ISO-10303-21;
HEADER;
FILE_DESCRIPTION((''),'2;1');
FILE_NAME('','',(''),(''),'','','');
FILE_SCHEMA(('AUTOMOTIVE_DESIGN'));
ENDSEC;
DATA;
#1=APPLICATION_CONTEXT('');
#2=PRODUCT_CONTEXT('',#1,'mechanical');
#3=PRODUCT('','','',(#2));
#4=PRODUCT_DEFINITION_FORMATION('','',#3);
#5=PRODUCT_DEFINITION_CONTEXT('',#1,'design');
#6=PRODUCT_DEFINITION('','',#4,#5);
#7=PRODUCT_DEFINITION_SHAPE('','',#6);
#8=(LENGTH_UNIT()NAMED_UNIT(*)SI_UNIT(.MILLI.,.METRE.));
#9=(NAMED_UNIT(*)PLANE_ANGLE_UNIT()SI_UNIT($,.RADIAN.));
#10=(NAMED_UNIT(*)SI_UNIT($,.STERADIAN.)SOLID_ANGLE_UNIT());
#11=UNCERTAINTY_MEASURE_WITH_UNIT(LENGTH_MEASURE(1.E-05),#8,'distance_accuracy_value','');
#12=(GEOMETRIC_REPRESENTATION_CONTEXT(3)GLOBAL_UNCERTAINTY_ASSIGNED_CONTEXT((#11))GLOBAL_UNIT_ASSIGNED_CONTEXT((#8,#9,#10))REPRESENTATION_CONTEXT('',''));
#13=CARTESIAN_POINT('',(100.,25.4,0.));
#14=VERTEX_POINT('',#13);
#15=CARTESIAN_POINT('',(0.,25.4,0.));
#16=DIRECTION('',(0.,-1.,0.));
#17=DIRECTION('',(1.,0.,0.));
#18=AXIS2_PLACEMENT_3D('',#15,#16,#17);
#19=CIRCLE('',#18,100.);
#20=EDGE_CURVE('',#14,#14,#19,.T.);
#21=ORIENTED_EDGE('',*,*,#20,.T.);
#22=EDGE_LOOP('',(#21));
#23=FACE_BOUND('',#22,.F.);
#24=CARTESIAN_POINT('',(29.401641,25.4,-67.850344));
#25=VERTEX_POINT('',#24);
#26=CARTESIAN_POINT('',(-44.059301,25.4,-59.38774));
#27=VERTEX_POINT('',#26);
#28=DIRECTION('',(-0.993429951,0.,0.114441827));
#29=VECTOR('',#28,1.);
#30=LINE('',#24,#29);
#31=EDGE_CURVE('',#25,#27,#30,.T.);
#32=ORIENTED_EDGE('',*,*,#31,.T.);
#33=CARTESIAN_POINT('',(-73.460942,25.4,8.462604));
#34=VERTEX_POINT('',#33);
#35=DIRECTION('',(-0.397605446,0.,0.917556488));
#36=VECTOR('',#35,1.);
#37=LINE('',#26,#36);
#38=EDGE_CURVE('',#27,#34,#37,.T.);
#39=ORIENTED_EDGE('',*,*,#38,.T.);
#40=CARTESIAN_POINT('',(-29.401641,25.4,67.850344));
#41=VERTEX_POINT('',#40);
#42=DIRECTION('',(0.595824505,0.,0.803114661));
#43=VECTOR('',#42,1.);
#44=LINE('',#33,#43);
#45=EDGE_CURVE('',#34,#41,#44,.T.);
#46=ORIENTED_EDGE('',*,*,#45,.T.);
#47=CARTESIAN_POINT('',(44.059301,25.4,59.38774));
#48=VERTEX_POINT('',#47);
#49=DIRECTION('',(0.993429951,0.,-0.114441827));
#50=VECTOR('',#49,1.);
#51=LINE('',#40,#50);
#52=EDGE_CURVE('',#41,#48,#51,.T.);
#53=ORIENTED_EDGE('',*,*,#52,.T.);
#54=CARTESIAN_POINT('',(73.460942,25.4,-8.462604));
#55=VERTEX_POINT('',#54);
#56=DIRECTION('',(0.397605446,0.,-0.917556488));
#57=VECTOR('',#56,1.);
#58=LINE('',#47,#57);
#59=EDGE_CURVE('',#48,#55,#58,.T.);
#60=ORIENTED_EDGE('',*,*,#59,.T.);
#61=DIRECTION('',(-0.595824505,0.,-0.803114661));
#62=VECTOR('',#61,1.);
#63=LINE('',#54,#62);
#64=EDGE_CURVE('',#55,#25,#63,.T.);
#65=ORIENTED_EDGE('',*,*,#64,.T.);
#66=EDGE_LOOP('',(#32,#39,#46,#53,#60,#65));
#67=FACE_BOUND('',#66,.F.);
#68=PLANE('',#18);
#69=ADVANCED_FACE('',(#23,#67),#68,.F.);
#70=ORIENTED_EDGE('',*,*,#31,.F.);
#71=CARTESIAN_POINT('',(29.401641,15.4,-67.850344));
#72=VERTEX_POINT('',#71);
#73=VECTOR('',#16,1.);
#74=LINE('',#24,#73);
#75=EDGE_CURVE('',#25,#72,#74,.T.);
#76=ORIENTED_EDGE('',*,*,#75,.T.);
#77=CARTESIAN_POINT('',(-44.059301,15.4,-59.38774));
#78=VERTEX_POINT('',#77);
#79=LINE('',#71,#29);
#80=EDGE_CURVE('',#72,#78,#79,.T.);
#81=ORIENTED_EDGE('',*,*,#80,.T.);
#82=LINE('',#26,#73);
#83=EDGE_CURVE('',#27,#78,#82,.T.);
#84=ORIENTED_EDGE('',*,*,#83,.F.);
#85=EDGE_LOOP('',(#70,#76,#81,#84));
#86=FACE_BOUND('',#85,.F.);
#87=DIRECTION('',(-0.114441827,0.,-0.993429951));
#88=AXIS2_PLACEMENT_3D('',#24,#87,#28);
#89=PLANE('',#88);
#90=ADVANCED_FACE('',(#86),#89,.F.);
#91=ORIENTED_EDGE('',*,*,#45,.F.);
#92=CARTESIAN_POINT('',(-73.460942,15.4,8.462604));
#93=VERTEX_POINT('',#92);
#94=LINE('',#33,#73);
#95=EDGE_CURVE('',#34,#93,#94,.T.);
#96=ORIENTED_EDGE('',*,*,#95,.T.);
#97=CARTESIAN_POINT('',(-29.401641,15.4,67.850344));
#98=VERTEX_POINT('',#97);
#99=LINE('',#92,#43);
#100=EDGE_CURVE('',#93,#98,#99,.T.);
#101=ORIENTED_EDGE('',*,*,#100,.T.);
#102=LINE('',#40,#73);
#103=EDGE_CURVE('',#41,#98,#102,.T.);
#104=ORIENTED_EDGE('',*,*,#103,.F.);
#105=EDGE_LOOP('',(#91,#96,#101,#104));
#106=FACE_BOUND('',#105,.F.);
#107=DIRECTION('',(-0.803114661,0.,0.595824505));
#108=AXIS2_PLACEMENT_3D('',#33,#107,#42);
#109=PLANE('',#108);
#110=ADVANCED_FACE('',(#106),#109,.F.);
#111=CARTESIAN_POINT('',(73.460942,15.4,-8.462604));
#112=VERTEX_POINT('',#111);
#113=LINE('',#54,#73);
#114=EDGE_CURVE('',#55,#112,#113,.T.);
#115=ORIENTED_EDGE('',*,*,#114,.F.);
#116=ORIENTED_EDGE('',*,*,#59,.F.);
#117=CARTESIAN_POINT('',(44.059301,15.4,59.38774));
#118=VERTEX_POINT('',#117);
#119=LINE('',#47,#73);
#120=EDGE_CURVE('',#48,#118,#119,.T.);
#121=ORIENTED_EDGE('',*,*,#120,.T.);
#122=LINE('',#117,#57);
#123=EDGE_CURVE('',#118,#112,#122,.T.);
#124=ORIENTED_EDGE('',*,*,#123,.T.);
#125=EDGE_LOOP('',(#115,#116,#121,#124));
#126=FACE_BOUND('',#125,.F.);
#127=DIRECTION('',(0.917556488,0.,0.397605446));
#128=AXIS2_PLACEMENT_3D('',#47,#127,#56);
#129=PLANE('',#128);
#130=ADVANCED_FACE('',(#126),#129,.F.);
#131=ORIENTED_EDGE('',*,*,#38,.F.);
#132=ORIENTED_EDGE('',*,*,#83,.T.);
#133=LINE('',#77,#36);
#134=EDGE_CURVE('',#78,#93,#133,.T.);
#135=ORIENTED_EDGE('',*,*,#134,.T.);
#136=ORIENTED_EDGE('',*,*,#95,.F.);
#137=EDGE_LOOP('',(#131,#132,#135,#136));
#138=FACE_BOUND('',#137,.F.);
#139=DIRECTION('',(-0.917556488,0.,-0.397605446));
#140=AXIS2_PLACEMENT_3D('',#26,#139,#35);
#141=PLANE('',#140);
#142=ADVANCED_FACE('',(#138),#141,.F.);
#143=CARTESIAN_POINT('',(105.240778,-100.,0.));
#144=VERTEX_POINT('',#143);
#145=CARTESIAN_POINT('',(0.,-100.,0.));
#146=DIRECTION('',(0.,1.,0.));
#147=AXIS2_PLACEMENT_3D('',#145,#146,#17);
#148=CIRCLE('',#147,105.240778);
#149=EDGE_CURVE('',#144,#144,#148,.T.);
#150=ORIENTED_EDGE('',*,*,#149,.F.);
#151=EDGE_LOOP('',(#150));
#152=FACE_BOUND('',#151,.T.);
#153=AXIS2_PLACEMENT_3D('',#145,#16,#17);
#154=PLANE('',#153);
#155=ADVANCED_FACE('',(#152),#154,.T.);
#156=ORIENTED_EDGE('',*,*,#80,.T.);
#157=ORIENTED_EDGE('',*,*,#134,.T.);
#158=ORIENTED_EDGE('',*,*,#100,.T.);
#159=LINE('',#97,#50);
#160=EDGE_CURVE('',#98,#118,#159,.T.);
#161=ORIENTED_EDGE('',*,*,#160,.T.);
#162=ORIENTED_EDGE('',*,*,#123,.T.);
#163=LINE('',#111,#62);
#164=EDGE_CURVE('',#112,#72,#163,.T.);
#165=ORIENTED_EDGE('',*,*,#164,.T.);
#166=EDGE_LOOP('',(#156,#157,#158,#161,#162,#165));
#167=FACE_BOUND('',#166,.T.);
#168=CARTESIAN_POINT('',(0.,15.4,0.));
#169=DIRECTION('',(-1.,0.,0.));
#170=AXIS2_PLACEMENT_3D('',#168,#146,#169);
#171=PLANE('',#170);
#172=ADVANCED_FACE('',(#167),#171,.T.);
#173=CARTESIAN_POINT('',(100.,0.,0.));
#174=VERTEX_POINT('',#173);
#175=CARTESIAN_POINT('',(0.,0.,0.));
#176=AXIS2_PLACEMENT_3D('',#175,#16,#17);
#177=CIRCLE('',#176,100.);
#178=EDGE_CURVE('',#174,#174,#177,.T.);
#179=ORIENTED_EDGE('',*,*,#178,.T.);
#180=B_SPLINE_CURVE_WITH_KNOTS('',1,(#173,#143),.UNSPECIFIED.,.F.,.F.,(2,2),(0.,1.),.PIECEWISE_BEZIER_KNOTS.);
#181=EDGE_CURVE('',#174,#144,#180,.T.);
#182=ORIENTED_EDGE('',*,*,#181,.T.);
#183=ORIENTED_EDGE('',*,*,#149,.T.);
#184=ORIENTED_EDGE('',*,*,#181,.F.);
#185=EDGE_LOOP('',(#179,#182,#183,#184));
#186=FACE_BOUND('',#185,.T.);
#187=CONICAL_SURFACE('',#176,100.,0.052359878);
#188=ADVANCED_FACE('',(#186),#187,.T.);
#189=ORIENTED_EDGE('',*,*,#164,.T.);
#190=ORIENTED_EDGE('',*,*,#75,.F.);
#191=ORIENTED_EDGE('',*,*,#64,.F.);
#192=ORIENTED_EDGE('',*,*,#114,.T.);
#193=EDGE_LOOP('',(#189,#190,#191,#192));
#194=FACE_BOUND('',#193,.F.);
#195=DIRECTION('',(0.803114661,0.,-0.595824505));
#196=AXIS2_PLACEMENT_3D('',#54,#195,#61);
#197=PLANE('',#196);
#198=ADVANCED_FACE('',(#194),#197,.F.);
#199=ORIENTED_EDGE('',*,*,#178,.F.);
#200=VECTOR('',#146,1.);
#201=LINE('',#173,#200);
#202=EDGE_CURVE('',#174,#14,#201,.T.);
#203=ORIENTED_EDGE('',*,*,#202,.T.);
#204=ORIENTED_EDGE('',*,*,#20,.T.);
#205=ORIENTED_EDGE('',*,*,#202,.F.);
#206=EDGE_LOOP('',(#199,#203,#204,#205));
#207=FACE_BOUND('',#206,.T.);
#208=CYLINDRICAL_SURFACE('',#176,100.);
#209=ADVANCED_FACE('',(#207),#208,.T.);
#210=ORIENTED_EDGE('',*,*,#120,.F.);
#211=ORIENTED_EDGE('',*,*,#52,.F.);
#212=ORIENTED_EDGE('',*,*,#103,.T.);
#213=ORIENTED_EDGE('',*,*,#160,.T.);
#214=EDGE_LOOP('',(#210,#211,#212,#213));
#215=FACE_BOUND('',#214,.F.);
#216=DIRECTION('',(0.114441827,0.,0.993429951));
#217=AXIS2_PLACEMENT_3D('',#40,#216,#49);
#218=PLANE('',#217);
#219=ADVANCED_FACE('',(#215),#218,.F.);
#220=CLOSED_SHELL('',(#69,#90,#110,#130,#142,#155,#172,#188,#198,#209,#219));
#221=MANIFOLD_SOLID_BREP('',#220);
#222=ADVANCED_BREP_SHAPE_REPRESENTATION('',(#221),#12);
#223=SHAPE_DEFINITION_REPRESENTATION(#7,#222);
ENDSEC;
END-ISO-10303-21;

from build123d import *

# Parameters (mm, degrees)
F0_R          = 100
F1_DEPTH      = 100
F1_TAPER      = -3
F1_DEPTH_BACK = 25.4
F3_DEPTH      = 10


with BuildPart() as f1:
    # F0 (on Front) → F1 (new body, two sides)
    with BuildSketch(Plane.XZ) as f1_sk:
        Circle(F0_R)
    extrude(amount=F1_DEPTH, taper=F1_TAPER)
    extrude(f1_sk.sketch, amount=-F1_DEPTH_BACK)

    # F2 (on face) → F3 (cut)
    with BuildSketch(Plane(origin=(0, 25.4, 0), x_dir=(-1, 0, 0), z_dir=(0, 1, 0))):
        Polygon((-44.0593010875, 59.3877397515), (-73.4609418419, -8.462604139), (-29.4016407544, -67.8503438906), (44.0593010875, -59.3877397515), (73.4609418419, 8.462604139), (29.4016407544, 67.8503438906), align=None)
    extrude(amount=-F3_DEPTH, mode=Mode.SUBTRACT)


solid = f1.part
